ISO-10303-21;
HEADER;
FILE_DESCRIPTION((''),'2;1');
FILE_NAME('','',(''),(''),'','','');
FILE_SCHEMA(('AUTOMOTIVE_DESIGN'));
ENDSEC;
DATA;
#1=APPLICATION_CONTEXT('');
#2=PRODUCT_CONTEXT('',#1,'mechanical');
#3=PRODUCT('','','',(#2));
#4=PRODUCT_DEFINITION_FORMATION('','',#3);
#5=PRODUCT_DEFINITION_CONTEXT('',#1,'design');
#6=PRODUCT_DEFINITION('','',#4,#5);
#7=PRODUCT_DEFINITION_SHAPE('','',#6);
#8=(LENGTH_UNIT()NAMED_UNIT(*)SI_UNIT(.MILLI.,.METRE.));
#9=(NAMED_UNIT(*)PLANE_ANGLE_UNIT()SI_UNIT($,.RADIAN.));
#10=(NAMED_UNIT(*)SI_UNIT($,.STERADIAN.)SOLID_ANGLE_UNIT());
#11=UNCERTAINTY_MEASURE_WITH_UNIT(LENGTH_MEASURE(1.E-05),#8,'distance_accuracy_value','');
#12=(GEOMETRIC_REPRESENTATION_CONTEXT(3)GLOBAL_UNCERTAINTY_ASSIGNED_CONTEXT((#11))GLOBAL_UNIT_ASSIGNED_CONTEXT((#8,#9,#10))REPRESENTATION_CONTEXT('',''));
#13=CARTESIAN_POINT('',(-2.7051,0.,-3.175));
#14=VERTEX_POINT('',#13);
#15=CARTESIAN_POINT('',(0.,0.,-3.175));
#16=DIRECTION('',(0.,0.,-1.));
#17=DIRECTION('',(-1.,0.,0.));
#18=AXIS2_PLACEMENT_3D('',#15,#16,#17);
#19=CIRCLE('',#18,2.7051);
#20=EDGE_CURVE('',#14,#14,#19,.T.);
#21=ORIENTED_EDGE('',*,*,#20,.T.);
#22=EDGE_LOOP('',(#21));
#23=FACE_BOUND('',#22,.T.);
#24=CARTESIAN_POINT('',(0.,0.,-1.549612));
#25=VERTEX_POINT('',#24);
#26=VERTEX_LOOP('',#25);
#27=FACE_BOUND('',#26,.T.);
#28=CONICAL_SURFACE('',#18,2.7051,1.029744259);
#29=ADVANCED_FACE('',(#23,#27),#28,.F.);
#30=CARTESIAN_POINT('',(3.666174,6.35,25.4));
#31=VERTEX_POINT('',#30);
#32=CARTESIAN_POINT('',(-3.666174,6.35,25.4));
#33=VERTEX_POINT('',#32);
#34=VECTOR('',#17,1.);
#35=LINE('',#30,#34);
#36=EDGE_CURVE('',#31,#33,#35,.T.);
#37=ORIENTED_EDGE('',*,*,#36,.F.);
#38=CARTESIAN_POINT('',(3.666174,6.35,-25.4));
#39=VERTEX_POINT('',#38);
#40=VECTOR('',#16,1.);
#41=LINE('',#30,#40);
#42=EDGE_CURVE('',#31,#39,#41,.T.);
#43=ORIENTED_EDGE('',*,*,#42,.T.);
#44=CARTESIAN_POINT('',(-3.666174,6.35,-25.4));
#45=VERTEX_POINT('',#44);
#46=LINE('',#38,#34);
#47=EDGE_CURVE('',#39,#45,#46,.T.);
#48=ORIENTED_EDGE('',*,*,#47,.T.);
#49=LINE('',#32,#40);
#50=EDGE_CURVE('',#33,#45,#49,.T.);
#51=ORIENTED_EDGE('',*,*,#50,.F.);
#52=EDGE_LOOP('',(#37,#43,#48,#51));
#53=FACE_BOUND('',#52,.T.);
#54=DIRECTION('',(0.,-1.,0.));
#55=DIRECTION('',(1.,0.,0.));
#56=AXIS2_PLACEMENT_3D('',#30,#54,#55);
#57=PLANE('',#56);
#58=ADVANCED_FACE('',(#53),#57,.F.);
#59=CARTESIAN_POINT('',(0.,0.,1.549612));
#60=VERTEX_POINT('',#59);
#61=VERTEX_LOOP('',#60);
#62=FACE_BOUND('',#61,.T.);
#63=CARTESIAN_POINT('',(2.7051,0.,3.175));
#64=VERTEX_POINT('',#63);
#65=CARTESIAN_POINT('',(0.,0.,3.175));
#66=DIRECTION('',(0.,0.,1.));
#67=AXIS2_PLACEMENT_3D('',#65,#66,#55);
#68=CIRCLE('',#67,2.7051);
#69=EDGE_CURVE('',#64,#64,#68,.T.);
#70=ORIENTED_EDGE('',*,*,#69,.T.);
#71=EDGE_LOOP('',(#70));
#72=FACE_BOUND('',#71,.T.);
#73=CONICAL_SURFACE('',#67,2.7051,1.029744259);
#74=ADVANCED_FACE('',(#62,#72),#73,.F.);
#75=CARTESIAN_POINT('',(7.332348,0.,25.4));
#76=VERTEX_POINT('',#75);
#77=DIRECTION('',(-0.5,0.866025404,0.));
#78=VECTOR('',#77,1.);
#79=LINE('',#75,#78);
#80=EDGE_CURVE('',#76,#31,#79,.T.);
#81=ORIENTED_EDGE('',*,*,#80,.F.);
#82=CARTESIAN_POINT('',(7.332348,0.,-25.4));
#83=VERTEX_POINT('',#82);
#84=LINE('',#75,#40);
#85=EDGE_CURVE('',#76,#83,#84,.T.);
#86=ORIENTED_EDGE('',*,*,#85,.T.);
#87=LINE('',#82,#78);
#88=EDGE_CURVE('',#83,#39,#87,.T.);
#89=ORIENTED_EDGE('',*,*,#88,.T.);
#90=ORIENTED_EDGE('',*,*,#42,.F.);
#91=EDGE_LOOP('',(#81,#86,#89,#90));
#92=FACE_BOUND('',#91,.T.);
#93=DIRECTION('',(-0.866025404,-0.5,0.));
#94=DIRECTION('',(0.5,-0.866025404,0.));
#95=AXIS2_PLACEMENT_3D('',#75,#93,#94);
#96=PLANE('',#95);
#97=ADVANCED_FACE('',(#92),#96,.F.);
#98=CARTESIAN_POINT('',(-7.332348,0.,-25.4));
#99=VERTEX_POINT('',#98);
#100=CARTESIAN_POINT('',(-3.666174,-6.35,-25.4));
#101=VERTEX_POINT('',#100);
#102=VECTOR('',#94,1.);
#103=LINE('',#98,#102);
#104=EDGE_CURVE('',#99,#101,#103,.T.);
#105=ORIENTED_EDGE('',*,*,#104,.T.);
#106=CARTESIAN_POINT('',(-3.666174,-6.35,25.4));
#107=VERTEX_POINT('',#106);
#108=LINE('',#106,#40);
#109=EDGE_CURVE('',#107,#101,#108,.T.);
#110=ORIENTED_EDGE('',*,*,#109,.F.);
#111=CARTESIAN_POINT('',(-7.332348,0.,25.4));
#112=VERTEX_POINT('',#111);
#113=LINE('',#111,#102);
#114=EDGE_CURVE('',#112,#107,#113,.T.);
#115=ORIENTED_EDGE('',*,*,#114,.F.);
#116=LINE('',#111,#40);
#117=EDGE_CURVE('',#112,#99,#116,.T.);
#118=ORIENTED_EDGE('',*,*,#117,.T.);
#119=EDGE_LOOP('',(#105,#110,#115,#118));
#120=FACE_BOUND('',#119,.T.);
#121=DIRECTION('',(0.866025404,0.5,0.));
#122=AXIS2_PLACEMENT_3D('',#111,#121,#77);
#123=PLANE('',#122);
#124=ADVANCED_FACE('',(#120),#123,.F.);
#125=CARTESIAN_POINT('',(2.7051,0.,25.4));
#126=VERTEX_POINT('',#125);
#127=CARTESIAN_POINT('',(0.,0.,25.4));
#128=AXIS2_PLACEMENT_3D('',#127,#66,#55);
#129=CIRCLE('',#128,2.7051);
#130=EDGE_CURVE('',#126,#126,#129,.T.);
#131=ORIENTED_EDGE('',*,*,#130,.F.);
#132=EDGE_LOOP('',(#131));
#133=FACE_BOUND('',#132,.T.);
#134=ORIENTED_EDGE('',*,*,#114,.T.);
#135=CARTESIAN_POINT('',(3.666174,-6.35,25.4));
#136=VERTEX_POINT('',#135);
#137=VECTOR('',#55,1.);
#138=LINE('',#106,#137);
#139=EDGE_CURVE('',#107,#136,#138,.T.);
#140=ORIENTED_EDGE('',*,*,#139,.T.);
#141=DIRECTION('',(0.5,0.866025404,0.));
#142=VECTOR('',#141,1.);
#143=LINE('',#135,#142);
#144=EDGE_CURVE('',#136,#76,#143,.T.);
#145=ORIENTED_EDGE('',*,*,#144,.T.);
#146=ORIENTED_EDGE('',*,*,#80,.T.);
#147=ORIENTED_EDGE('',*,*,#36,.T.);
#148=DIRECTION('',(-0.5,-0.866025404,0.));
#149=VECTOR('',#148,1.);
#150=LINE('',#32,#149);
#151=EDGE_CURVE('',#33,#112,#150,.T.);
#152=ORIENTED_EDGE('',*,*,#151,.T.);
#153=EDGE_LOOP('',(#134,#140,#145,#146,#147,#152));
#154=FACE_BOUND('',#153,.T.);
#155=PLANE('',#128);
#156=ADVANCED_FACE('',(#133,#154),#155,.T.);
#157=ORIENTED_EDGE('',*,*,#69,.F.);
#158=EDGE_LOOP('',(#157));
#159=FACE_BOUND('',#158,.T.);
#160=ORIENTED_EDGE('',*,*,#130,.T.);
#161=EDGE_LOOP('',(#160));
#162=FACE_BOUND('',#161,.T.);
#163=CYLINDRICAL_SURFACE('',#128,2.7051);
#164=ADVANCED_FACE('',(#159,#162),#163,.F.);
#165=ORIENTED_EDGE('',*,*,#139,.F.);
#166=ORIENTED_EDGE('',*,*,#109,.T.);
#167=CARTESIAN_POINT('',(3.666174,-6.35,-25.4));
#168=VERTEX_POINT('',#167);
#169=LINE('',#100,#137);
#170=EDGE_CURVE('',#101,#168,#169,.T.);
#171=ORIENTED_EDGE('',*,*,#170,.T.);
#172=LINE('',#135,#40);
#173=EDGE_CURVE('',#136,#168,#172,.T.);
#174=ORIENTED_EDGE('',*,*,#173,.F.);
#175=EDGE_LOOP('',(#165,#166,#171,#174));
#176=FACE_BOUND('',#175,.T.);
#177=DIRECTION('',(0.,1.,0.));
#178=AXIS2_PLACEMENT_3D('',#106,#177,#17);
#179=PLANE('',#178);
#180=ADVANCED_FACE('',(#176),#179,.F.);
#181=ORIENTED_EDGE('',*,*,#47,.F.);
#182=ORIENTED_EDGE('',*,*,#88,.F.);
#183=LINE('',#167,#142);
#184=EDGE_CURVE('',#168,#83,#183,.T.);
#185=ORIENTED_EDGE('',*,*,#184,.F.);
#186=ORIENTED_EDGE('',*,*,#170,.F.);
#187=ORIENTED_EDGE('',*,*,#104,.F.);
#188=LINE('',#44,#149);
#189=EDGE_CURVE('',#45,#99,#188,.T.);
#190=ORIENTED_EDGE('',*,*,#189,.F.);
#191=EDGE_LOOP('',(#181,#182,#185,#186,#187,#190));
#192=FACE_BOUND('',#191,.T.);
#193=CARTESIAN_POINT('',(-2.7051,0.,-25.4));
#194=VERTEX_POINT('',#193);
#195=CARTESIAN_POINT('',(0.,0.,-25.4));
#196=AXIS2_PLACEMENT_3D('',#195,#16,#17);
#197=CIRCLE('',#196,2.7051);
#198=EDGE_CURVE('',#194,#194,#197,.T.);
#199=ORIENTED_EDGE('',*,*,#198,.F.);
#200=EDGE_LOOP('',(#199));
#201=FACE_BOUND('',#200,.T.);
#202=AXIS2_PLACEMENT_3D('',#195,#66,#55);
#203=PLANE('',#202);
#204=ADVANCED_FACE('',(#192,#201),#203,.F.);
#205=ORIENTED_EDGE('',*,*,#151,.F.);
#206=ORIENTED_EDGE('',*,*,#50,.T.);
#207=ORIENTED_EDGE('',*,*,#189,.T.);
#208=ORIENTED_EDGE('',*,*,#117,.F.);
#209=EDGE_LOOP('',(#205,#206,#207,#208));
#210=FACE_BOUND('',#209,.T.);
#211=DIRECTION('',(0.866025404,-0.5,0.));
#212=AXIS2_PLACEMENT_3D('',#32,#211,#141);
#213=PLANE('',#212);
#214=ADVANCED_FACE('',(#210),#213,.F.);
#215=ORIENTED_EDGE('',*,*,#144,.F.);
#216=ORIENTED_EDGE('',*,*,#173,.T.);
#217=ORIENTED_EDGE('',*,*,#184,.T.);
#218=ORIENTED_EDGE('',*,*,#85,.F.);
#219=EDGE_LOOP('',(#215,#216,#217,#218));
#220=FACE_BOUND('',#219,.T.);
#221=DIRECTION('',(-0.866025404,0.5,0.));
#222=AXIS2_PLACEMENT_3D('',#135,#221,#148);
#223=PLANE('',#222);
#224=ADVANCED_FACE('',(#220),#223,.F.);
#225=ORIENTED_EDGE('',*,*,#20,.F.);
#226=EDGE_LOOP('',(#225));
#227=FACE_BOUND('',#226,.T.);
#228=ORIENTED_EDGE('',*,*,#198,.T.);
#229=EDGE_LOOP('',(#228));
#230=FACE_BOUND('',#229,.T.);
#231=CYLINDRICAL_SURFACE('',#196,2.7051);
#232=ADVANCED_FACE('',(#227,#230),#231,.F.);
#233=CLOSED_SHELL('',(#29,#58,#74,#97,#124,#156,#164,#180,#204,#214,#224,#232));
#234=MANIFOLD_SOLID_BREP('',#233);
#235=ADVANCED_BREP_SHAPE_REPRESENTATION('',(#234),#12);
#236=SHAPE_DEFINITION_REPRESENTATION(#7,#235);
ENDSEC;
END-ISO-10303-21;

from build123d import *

# Parameters (mm, degrees)
BOSS_EXTRUDE1_DEPTH         = 25.4
F_1_4_28_TAPPED_HOLE1_D     = 5.4102
F_1_4_28_TAPPED_HOLE1_DEPTH = 22.225
F_1_4_28_TAPPED_HOLE1_TIP   = 1.625388061
F_1_4_28_TAPPED_HOLE2_D     = 5.4102
F_1_4_28_TAPPED_HOLE2_DEPTH = 22.225
F_1_4_28_TAPPED_HOLE2_TIP   = 1.625388061


with BuildPart() as part:
    # Sketch1 → Boss-Extrude1 (new, symmetric)
    with BuildSketch(Plane.XY):
        Polygon((7.332348419, 0), (3.666174209, 6.35), (-3.666174209, 6.35), (-7.332348419, 0), (-3.666174209, -6.35), (3.666174209, -6.35), align=None)
    extrude(amount=BOSS_EXTRUDE1_DEPTH, both=True)

    # 1/4-28 Tapped Hole1
    with Locations(Plane.XY.offset(25.4)):
        with Locations((0, 0)):
            Hole(F_1_4_28_TAPPED_HOLE1_D / 2, depth=F_1_4_28_TAPPED_HOLE1_DEPTH)
            with Locations((0, 0, -(F_1_4_28_TAPPED_HOLE1_DEPTH + F_1_4_28_TAPPED_HOLE1_TIP / 2))):  # 118° drill point
                Cone(0, F_1_4_28_TAPPED_HOLE1_D / 2, F_1_4_28_TAPPED_HOLE1_TIP, mode=Mode.SUBTRACT)

    # 1/4-28 Tapped Hole2
    with Locations(Plane(origin=(0, 0, -25.4), x_dir=(-1, 0, 0), z_dir=(0, 0, -1))):
        with Locations((0, 0)):
            Hole(F_1_4_28_TAPPED_HOLE2_D / 2, depth=F_1_4_28_TAPPED_HOLE2_DEPTH)
            with Locations((0, 0, -(F_1_4_28_TAPPED_HOLE2_DEPTH + F_1_4_28_TAPPED_HOLE2_TIP / 2))):  # 118° drill point
                Cone(0, F_1_4_28_TAPPED_HOLE2_D / 2, F_1_4_28_TAPPED_HOLE2_TIP, mode=Mode.SUBTRACT)


solid = part.part
